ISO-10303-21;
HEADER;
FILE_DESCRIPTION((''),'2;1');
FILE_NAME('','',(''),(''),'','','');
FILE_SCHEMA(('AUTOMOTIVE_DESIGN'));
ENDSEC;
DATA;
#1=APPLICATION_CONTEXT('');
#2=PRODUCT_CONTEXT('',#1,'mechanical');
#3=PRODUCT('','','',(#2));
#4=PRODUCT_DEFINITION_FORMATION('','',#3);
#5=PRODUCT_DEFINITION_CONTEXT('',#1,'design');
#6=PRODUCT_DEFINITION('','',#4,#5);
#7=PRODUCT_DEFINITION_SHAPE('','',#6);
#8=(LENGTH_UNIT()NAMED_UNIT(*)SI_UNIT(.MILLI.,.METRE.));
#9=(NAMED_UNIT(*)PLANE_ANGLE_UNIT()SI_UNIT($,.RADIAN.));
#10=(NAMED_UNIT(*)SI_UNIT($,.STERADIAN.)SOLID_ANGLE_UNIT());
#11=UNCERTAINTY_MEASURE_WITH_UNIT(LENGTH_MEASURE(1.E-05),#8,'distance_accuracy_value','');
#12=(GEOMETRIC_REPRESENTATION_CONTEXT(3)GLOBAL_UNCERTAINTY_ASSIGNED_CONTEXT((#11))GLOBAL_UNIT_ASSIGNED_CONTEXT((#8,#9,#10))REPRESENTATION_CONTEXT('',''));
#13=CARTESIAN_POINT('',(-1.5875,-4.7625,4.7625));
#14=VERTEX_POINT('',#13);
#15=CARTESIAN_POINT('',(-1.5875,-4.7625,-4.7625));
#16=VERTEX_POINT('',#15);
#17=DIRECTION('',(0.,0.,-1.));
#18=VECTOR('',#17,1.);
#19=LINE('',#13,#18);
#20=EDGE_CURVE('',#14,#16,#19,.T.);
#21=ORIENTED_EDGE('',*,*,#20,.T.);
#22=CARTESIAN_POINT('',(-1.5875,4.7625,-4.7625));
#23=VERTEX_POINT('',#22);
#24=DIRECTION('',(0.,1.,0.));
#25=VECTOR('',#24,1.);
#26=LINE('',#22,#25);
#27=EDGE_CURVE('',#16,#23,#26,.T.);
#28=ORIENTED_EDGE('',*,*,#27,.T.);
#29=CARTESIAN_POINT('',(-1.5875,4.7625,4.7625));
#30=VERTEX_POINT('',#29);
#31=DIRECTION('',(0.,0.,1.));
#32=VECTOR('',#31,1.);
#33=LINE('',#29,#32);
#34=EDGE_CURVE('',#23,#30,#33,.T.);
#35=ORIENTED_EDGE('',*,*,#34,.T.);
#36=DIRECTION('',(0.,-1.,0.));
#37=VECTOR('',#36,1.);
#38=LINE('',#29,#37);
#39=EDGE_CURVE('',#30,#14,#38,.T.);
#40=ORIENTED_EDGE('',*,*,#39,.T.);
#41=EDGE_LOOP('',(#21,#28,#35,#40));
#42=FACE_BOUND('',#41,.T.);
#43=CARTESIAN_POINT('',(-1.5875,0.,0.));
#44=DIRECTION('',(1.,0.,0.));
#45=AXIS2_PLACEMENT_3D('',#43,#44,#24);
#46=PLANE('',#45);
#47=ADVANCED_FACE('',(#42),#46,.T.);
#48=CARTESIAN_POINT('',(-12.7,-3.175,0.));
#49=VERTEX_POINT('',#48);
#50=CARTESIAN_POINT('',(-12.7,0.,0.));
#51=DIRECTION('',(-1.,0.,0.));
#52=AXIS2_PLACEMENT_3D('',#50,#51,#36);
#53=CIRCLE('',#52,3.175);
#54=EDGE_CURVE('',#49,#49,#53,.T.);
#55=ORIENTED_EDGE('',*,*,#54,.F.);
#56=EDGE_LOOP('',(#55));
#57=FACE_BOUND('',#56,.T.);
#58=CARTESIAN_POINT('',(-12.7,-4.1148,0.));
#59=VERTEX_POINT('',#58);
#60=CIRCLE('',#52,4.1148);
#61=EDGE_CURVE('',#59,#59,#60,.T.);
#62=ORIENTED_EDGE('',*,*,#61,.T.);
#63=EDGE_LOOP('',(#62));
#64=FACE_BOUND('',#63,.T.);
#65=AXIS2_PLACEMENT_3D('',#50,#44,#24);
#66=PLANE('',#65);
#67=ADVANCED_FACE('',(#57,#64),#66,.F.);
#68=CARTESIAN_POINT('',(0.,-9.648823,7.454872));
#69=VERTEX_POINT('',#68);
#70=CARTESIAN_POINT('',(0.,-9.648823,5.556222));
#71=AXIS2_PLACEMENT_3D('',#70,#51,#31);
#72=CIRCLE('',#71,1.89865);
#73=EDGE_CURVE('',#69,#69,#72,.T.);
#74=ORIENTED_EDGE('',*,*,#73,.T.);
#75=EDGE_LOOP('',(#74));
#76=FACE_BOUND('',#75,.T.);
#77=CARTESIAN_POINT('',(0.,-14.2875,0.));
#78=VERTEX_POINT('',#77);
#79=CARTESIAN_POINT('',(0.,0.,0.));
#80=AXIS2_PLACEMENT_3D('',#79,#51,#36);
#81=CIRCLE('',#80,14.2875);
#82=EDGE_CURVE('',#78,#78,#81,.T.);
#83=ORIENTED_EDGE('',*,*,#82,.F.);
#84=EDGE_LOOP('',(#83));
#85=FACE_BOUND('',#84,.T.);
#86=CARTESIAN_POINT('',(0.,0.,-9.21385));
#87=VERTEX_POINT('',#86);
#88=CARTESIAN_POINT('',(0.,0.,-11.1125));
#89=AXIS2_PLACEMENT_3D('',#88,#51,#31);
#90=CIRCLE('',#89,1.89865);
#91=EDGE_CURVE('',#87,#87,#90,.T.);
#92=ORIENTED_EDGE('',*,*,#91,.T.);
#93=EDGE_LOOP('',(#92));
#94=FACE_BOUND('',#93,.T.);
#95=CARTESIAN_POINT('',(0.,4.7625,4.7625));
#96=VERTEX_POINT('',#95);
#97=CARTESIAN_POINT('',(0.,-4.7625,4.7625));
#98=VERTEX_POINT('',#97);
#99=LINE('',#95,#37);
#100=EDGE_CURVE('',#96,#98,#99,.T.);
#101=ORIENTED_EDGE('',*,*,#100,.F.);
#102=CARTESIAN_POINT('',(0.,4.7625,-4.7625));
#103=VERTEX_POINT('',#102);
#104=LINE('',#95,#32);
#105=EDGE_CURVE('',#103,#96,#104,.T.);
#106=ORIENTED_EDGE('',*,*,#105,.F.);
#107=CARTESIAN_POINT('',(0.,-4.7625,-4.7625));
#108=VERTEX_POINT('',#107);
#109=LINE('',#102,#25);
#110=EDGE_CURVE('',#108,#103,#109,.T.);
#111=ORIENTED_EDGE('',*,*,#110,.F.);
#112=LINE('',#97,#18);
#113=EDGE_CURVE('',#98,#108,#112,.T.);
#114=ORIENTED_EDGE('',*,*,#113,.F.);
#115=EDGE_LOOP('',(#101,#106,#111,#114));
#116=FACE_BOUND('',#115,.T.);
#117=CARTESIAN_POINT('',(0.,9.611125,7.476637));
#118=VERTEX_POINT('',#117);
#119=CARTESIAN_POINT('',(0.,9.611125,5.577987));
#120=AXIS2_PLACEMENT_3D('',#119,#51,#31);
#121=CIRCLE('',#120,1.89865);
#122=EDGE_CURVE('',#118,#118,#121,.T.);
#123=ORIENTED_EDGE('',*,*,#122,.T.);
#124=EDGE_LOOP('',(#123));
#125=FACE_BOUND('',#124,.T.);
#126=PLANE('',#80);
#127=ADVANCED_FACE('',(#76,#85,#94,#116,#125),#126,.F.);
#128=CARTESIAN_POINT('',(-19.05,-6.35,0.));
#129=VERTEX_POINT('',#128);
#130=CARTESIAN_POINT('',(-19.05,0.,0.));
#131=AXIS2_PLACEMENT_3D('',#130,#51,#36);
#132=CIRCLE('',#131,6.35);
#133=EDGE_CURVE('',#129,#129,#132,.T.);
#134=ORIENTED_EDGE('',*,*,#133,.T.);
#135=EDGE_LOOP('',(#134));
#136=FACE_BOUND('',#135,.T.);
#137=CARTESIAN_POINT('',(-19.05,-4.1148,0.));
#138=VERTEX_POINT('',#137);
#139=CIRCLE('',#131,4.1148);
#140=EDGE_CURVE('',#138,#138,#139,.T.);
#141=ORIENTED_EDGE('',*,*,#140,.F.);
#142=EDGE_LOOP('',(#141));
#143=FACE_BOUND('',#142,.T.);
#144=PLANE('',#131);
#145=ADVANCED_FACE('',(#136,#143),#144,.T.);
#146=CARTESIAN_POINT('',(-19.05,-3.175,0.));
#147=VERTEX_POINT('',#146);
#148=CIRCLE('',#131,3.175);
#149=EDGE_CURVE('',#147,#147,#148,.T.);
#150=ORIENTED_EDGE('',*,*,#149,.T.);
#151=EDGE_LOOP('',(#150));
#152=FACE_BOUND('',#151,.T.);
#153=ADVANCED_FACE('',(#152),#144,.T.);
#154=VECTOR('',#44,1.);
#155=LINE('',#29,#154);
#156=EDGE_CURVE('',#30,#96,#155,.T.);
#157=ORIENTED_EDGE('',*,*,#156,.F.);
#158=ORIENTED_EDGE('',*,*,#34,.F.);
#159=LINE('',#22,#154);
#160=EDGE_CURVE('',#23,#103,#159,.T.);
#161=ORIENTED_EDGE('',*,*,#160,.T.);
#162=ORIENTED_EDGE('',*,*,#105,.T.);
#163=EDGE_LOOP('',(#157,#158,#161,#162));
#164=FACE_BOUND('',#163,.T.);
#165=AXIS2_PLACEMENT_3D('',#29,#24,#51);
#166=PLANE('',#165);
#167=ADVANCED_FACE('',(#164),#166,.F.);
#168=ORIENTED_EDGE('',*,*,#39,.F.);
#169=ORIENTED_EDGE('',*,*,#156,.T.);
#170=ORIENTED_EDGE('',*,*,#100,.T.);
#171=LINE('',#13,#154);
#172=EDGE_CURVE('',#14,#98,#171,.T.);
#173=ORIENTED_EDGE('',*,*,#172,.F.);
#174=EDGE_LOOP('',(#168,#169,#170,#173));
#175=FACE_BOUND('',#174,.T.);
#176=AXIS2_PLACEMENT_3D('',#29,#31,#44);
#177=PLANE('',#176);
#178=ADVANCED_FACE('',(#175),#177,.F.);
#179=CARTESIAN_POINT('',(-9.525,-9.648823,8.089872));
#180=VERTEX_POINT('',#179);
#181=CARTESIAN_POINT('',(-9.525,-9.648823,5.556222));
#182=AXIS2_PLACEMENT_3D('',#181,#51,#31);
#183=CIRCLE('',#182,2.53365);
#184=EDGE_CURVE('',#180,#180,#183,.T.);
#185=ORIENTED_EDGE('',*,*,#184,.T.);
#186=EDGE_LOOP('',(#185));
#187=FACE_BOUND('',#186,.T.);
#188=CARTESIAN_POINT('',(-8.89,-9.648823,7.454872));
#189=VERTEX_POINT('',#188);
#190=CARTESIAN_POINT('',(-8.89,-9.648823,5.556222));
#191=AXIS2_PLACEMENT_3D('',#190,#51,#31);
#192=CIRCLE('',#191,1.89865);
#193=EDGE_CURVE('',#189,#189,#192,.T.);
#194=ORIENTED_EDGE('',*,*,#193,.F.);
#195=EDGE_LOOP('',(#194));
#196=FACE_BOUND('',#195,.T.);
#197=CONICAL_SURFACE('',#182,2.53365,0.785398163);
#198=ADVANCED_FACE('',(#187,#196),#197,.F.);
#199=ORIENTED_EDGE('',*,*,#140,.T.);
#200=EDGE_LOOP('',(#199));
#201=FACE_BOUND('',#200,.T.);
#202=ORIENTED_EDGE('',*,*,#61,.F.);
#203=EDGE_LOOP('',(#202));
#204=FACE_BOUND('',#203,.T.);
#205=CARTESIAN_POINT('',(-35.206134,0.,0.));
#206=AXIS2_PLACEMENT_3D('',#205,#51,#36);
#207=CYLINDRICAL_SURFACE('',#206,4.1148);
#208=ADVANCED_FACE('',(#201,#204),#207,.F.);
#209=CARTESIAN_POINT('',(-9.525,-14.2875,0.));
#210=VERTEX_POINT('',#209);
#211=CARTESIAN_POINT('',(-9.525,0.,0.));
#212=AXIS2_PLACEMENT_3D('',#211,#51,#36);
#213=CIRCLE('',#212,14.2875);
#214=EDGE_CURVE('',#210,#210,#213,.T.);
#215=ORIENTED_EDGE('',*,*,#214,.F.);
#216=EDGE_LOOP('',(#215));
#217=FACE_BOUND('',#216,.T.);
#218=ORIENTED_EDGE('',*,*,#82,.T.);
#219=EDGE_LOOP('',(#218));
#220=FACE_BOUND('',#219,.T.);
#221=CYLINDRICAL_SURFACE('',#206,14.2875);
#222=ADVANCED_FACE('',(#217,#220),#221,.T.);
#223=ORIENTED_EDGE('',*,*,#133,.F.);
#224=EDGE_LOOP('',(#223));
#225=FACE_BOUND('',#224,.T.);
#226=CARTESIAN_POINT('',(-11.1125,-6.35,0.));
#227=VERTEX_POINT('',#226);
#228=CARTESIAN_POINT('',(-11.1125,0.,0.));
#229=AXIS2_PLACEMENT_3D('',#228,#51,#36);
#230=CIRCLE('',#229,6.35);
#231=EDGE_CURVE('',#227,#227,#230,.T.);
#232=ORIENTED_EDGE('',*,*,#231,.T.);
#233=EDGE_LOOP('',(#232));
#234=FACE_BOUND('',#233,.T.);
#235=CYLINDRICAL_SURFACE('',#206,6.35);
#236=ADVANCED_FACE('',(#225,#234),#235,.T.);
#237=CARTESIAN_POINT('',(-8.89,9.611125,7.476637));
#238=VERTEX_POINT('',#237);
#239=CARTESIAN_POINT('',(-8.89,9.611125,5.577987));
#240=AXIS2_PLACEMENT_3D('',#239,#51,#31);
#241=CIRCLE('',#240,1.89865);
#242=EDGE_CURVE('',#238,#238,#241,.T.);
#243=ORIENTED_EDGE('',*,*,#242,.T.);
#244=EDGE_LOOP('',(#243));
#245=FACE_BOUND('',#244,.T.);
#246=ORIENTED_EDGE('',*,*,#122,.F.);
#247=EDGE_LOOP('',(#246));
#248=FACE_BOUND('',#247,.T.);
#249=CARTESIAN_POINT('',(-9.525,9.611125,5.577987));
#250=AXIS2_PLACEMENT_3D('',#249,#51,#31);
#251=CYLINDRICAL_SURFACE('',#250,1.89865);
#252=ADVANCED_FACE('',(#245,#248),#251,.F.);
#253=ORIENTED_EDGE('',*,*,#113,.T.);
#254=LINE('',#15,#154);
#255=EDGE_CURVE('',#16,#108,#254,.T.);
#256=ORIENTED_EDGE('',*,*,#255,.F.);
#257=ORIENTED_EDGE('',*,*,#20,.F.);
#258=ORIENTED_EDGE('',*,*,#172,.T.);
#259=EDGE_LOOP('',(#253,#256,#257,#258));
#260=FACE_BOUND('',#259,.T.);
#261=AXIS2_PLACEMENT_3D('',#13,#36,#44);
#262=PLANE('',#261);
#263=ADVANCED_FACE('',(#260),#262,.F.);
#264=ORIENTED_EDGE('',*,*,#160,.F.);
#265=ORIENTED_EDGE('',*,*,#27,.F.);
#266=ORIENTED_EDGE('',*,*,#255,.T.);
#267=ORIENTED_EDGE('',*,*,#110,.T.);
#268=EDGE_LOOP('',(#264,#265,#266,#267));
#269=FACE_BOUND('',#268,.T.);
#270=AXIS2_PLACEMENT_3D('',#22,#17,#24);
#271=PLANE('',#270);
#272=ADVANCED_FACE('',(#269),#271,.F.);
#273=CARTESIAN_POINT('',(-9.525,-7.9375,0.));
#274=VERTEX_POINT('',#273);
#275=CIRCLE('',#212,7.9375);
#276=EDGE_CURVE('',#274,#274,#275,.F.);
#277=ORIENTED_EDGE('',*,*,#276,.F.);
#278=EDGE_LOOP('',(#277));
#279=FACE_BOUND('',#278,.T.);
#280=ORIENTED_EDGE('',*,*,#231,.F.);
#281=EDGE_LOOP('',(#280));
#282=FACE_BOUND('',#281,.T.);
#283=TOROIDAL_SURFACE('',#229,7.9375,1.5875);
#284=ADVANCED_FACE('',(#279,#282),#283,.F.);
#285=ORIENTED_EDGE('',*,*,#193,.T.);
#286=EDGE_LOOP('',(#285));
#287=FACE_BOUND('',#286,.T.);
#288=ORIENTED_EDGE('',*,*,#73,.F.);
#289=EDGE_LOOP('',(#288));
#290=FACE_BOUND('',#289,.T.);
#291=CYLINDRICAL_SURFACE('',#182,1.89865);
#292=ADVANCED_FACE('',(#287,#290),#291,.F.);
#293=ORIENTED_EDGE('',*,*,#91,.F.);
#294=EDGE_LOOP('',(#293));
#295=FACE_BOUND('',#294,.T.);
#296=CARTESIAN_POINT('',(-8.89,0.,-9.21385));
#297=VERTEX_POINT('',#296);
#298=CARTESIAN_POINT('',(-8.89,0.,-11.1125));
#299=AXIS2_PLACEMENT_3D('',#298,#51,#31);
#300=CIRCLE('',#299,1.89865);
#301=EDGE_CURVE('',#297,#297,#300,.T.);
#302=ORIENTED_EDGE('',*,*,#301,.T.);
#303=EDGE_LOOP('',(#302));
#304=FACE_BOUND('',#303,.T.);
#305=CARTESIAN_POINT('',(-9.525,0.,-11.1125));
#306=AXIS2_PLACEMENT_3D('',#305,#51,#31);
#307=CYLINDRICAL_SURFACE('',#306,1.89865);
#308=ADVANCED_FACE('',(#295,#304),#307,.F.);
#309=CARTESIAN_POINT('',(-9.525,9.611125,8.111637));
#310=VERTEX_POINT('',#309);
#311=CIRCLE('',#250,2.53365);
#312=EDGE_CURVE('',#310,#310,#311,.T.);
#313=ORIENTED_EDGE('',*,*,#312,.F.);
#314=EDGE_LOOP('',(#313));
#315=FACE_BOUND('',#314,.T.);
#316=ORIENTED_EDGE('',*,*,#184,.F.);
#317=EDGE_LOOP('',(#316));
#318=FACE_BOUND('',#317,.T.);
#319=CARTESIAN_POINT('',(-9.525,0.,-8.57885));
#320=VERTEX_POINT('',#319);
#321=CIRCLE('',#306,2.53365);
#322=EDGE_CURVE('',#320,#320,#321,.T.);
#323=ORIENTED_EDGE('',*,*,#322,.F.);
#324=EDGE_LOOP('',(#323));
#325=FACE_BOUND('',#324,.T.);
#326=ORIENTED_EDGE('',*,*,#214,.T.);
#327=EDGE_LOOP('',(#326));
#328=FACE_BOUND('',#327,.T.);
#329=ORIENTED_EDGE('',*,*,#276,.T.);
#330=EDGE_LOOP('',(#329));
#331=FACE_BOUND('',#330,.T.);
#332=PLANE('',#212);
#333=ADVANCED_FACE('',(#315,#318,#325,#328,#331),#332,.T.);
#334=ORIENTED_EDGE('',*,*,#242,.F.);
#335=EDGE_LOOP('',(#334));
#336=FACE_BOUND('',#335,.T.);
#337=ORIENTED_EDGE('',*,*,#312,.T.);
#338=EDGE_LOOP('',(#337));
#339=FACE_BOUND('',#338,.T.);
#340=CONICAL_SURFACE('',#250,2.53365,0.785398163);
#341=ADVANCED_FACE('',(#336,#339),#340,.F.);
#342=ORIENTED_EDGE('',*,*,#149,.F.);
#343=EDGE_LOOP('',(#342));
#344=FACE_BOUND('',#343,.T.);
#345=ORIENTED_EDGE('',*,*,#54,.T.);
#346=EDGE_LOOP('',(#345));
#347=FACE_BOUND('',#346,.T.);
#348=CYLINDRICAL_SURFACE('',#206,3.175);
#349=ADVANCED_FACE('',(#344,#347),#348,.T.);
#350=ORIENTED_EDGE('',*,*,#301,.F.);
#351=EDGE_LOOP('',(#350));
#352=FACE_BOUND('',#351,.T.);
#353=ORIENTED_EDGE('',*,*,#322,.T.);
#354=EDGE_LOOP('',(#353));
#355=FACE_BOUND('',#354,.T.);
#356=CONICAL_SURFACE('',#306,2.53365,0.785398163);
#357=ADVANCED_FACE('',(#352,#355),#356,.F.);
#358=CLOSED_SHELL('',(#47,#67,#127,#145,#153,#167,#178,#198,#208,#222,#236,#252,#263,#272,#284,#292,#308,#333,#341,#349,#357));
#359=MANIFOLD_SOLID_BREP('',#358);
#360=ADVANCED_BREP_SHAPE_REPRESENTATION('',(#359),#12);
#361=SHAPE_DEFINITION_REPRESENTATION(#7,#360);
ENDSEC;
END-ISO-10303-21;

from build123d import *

# Parameters (mm, degrees)
SKETCH4_W                       = 9.525
SKETCH4_H                       = 9.525
CUT_EXTRUDE1_DEPTH              = 1.5875
FILLET1_R                       = 1.5875
F_6_CLEARANCE_HOLE1_D           = 3.7973
F_6_CLEARANCE_HOLE1_CSINK_D     = 5.0673
F_6_CLEARANCE_HOLE1_CSINK_ANGLE = 90


with BuildPart() as part:
    # Sketch3 → Revolve1 (revolve)
    with BuildSketch(Plane.XY):
        Polygon((-19.05, 0), (0, 0), (0, 14.2875), (-9.525, 14.2875), (-9.525, 6.35), (-19.05, 6.35), (-19.05, 4.1148), (-12.7, 4.1148), (-12.7, 3.175), (-19.05, 3.175), align=None)
    revolve(axis=Axis((-35.206134047, 0, 0), (1, 0, 0)))

    # Sketch4 → Cut-Extrude1 (cut)
    with BuildSketch(Plane(origin=(0, 0, 0), x_dir=(0, 0, -1), z_dir=(1, 0, 0))):
        Rectangle(SKETCH4_W, SKETCH4_H)
    extrude(amount=-CUT_EXTRUDE1_DEPTH, mode=Mode.SUBTRACT)

    # Fillet1
    fillet1_edges = [part.edges().sort_by_distance(p)[0] for p in [
        (-9.525, -6.35, 0),
    ]]
    fillet(fillet1_edges, radius=FILLET1_R)

    # #6 Clearance Hole1 (through all)
    with Locations(Plane.ZY.offset(9.525)):
        with Locations((-11.1125, 0), (5.577986509, 9.611124947), (5.556221618, -9.648822845)):
            CounterSinkHole(F_6_CLEARANCE_HOLE1_D / 2, F_6_CLEARANCE_HOLE1_CSINK_D / 2, counter_sink_angle=F_6_CLEARANCE_HOLE1_CSINK_ANGLE)


solid = part.part
